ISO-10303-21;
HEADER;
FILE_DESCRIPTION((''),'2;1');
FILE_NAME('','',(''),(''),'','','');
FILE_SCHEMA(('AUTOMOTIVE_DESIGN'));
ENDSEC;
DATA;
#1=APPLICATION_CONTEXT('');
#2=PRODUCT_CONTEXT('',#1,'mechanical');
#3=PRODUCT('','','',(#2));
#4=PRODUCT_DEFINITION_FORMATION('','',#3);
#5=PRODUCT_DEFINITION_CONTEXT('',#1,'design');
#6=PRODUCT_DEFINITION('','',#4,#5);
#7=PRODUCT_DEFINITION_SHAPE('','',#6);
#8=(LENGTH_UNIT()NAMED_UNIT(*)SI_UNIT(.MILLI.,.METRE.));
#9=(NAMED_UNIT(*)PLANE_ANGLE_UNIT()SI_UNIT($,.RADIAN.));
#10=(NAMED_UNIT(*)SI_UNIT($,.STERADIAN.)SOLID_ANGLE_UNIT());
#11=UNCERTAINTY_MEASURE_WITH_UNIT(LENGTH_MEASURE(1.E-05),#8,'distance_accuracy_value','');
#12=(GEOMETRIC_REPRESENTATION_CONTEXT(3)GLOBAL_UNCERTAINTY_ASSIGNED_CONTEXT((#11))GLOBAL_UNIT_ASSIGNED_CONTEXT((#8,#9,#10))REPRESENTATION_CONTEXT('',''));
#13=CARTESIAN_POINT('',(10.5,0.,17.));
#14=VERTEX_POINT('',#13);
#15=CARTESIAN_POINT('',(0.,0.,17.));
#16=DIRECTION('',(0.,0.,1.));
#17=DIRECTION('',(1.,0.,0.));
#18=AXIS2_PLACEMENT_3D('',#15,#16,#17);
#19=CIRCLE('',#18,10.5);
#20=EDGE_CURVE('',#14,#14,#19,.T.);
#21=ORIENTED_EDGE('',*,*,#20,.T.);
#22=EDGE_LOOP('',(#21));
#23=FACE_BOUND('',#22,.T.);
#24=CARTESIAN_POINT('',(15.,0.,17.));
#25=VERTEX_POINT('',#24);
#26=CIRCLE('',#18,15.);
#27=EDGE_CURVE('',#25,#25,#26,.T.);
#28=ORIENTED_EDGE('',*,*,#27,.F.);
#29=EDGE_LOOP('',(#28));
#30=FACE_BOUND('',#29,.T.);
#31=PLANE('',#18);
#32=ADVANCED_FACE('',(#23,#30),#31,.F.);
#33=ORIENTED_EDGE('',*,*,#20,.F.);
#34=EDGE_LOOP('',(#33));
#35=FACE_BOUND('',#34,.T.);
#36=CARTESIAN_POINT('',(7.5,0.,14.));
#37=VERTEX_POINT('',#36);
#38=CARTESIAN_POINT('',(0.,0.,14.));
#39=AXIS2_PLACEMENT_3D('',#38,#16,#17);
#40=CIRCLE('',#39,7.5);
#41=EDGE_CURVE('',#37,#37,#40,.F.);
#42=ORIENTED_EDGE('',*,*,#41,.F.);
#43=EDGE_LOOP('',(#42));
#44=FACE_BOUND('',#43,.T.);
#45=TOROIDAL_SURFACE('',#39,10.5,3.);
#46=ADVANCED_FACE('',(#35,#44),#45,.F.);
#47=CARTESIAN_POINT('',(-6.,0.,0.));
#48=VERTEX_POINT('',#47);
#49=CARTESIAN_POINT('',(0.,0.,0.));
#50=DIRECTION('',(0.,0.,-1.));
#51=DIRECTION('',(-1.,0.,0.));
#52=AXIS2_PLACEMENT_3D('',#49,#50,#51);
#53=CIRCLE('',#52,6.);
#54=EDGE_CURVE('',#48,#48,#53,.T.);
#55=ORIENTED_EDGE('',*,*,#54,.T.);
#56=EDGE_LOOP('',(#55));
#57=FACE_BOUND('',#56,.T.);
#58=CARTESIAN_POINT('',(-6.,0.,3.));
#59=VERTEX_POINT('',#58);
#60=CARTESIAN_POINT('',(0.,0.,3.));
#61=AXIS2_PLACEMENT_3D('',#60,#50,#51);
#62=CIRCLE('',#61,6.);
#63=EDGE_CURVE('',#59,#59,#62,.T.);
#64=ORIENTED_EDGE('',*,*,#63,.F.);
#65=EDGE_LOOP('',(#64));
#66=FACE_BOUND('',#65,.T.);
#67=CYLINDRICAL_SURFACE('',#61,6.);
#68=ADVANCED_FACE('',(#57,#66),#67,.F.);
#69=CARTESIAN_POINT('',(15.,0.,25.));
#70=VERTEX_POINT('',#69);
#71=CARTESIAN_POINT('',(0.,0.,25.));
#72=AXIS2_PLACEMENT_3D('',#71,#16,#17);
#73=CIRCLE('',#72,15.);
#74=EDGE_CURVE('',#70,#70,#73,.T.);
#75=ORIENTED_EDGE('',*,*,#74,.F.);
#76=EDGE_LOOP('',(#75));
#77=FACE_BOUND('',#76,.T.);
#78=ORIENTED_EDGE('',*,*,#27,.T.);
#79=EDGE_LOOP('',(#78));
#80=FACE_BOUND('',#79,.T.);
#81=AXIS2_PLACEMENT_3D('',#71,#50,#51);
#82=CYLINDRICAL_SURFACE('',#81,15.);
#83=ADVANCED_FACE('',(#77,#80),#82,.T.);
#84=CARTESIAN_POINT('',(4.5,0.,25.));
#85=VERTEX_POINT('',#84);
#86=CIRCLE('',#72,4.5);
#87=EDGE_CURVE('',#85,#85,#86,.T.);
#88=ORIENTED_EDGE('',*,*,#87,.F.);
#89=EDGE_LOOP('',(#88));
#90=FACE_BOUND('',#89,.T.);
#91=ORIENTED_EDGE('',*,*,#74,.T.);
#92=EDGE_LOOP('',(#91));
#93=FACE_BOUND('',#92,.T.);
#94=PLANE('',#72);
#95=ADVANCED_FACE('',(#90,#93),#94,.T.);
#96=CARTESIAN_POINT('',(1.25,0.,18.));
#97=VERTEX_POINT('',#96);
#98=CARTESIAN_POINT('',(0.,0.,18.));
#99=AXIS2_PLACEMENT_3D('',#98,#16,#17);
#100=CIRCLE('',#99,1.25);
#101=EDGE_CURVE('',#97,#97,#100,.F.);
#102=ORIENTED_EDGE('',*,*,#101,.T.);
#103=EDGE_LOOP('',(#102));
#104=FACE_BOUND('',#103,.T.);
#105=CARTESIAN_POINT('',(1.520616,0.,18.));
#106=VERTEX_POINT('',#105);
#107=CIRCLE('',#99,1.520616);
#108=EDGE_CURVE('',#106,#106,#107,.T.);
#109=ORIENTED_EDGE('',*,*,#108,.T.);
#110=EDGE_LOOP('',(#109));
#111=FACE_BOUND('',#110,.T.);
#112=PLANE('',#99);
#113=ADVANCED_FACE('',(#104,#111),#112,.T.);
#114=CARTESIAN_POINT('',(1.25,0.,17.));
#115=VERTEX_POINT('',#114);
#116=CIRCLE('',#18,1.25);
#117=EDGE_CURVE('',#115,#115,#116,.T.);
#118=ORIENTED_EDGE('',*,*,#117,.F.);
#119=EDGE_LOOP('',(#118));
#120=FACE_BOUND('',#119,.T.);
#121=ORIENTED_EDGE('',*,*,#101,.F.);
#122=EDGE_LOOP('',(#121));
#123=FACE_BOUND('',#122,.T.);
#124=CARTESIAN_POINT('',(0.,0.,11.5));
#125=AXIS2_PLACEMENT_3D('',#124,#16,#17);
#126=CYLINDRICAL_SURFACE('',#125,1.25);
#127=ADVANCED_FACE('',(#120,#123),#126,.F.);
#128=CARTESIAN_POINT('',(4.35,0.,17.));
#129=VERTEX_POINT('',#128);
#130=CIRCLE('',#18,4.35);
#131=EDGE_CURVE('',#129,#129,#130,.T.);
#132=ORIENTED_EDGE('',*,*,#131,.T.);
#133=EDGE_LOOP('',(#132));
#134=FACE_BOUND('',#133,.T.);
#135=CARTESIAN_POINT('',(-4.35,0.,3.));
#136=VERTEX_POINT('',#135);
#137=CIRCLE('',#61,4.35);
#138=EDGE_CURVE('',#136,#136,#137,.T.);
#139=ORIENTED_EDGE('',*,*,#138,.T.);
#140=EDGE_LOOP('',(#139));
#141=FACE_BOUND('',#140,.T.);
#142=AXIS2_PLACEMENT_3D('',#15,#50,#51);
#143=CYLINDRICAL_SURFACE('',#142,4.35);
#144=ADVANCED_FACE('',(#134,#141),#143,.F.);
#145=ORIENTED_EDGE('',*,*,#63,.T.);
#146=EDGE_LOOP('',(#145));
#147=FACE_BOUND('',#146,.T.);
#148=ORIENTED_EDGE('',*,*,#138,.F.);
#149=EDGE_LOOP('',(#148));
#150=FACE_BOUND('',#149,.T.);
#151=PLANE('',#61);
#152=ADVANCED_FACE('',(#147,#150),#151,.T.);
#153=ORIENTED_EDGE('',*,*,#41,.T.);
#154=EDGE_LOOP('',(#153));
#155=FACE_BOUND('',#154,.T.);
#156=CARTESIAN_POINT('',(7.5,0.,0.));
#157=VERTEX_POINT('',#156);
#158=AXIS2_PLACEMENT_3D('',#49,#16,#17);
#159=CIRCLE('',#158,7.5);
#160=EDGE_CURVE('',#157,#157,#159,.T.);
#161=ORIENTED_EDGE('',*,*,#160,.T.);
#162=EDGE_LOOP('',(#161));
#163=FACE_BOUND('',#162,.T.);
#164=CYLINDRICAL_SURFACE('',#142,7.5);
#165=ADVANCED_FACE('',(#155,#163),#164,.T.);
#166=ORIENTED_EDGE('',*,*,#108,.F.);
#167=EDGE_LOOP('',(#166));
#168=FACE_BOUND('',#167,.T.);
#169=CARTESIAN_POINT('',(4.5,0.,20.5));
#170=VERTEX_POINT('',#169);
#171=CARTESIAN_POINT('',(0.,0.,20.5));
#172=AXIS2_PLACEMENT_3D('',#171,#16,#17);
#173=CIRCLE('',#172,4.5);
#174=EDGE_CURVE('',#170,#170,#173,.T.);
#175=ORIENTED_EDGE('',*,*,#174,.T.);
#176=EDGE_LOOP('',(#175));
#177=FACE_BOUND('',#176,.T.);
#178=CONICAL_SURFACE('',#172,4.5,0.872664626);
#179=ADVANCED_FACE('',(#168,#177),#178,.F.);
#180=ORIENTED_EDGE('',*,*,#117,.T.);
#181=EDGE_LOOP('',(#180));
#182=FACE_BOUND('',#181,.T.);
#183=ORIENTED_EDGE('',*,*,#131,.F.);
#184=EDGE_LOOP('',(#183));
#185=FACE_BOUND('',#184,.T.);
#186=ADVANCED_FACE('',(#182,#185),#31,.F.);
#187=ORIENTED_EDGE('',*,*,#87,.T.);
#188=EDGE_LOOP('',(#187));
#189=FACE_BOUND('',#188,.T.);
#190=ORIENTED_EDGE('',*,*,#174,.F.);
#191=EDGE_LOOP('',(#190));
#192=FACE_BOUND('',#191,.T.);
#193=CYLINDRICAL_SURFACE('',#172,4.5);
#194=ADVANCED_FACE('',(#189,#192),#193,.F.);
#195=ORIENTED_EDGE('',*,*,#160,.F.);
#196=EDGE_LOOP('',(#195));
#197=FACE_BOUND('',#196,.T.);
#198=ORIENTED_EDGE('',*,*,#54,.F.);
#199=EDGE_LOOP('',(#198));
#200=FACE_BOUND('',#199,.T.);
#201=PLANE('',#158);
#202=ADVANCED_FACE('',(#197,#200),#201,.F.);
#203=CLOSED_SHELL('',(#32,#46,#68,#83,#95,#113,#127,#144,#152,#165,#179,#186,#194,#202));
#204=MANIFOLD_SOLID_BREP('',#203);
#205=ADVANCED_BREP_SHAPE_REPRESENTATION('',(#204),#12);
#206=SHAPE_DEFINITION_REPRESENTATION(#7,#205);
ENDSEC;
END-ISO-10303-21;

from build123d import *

# Parameters (mm, degrees)
SKETCH_1_R          = 7.5
SKETCH_1_R_2        = 4.35
EXTRUDE_1_DEPTH     = 17
SKETCH_3_R          = 6
CUT_EXTRUDE_2_DEPTH = 3
SKETCH_4_R          = 7.5
EXTRUDE_3_DEPTH     = 8
SKETCH_5_R          = 1.25
CUT_EXTRUDE_4_DEPTH = 13.5
SKETCH_6_R          = 4.5
CUT_EXTRUDE_5_DEPTH = 4.5
SKETCH_7_R          = 4.5
CUT_EXTRUDE_6_DEPTH = 2.5
CUT_EXTRUDE_6_DRAFT = -50
EXTRUDE_START       = -8
SKETCH_8_R          = 15
SKETCH_8_R_2        = 7.5
EXTRUDE_8_DEPTH     = 8
FILLET_1_R          = 3


with BuildPart() as part:
    # Эскиз1 → Вытянуть1 (new body)
    with BuildSketch(Plane.XY):
        Circle(SKETCH_1_R)
        Circle(SKETCH_1_R_2, mode=Mode.SUBTRACT)
    extrude(amount=EXTRUDE_1_DEPTH)

    # Эскиз3 → Вытянуть2 (cut)
    with BuildSketch(Plane(origin=(0, 0, 0), x_dir=(-1, 0, 0), z_dir=(0, 0, -1))):
        Circle(SKETCH_3_R)
    extrude(amount=-CUT_EXTRUDE_2_DEPTH, mode=Mode.SUBTRACT)

    # Эскиз4 → Вытянуть3 (add)
    with BuildSketch(Plane.XY.offset(17)):
        Circle(SKETCH_4_R)
    extrude(amount=EXTRUDE_3_DEPTH)

    # Эскиз5 → Вытянуть4 (cut, symmetric)
    with BuildSketch(Plane.XY.offset(25)):
        Circle(SKETCH_5_R)
    extrude(amount=CUT_EXTRUDE_4_DEPTH, both=True, mode=Mode.SUBTRACT)

    # Эскиз6 → Вытянуть5 (cut)
    with BuildSketch(Plane.XY.offset(25)):
        Circle(SKETCH_6_R)
    extrude(amount=-CUT_EXTRUDE_5_DEPTH, mode=Mode.SUBTRACT)


with BuildPart() as cut_extrude_6_tool:
    # Эскиз7 → Вытянуть6 (with draft: the straight prism first)
    with BuildSketch(Plane.XY.offset(20.5)):
        Circle(SKETCH_7_R)
    extrude(amount=-CUT_EXTRUDE_6_DEPTH)
    # Вытянуть6: the draft: its side faces are tilted about the plane it starts from
    cut_extrude_6_sides = [cut_extrude_6_tool.faces().sort_by_distance(p)[0] for p in [
        (-4.5, 0, 19.25),
    ]]
    draft(cut_extrude_6_sides, Plane.XY.offset(20.5), CUT_EXTRUDE_6_DRAFT)


with BuildPart() as part_1:
    add(part.part)

    # Вытянуть6: cut by cut_extrude_6_tool
    add(cut_extrude_6_tool.part, mode=Mode.SUBTRACT)

    # Эскиз8 → Вытянуть8 (add)
    with BuildSketch(Plane.XY.offset(25).offset(EXTRUDE_START)):
        Circle(SKETCH_8_R)
        Circle(SKETCH_8_R_2, mode=Mode.SUBTRACT)
    extrude(amount=EXTRUDE_8_DEPTH)

    # Скругление1
    fillet_1_edges = [part_1.edges().sort_by_distance(p)[0] for p in [
        (-7.5, 0, 17),
    ]]
    fillet(fillet_1_edges, radius=FILLET_1_R)


solid = part_1.part
